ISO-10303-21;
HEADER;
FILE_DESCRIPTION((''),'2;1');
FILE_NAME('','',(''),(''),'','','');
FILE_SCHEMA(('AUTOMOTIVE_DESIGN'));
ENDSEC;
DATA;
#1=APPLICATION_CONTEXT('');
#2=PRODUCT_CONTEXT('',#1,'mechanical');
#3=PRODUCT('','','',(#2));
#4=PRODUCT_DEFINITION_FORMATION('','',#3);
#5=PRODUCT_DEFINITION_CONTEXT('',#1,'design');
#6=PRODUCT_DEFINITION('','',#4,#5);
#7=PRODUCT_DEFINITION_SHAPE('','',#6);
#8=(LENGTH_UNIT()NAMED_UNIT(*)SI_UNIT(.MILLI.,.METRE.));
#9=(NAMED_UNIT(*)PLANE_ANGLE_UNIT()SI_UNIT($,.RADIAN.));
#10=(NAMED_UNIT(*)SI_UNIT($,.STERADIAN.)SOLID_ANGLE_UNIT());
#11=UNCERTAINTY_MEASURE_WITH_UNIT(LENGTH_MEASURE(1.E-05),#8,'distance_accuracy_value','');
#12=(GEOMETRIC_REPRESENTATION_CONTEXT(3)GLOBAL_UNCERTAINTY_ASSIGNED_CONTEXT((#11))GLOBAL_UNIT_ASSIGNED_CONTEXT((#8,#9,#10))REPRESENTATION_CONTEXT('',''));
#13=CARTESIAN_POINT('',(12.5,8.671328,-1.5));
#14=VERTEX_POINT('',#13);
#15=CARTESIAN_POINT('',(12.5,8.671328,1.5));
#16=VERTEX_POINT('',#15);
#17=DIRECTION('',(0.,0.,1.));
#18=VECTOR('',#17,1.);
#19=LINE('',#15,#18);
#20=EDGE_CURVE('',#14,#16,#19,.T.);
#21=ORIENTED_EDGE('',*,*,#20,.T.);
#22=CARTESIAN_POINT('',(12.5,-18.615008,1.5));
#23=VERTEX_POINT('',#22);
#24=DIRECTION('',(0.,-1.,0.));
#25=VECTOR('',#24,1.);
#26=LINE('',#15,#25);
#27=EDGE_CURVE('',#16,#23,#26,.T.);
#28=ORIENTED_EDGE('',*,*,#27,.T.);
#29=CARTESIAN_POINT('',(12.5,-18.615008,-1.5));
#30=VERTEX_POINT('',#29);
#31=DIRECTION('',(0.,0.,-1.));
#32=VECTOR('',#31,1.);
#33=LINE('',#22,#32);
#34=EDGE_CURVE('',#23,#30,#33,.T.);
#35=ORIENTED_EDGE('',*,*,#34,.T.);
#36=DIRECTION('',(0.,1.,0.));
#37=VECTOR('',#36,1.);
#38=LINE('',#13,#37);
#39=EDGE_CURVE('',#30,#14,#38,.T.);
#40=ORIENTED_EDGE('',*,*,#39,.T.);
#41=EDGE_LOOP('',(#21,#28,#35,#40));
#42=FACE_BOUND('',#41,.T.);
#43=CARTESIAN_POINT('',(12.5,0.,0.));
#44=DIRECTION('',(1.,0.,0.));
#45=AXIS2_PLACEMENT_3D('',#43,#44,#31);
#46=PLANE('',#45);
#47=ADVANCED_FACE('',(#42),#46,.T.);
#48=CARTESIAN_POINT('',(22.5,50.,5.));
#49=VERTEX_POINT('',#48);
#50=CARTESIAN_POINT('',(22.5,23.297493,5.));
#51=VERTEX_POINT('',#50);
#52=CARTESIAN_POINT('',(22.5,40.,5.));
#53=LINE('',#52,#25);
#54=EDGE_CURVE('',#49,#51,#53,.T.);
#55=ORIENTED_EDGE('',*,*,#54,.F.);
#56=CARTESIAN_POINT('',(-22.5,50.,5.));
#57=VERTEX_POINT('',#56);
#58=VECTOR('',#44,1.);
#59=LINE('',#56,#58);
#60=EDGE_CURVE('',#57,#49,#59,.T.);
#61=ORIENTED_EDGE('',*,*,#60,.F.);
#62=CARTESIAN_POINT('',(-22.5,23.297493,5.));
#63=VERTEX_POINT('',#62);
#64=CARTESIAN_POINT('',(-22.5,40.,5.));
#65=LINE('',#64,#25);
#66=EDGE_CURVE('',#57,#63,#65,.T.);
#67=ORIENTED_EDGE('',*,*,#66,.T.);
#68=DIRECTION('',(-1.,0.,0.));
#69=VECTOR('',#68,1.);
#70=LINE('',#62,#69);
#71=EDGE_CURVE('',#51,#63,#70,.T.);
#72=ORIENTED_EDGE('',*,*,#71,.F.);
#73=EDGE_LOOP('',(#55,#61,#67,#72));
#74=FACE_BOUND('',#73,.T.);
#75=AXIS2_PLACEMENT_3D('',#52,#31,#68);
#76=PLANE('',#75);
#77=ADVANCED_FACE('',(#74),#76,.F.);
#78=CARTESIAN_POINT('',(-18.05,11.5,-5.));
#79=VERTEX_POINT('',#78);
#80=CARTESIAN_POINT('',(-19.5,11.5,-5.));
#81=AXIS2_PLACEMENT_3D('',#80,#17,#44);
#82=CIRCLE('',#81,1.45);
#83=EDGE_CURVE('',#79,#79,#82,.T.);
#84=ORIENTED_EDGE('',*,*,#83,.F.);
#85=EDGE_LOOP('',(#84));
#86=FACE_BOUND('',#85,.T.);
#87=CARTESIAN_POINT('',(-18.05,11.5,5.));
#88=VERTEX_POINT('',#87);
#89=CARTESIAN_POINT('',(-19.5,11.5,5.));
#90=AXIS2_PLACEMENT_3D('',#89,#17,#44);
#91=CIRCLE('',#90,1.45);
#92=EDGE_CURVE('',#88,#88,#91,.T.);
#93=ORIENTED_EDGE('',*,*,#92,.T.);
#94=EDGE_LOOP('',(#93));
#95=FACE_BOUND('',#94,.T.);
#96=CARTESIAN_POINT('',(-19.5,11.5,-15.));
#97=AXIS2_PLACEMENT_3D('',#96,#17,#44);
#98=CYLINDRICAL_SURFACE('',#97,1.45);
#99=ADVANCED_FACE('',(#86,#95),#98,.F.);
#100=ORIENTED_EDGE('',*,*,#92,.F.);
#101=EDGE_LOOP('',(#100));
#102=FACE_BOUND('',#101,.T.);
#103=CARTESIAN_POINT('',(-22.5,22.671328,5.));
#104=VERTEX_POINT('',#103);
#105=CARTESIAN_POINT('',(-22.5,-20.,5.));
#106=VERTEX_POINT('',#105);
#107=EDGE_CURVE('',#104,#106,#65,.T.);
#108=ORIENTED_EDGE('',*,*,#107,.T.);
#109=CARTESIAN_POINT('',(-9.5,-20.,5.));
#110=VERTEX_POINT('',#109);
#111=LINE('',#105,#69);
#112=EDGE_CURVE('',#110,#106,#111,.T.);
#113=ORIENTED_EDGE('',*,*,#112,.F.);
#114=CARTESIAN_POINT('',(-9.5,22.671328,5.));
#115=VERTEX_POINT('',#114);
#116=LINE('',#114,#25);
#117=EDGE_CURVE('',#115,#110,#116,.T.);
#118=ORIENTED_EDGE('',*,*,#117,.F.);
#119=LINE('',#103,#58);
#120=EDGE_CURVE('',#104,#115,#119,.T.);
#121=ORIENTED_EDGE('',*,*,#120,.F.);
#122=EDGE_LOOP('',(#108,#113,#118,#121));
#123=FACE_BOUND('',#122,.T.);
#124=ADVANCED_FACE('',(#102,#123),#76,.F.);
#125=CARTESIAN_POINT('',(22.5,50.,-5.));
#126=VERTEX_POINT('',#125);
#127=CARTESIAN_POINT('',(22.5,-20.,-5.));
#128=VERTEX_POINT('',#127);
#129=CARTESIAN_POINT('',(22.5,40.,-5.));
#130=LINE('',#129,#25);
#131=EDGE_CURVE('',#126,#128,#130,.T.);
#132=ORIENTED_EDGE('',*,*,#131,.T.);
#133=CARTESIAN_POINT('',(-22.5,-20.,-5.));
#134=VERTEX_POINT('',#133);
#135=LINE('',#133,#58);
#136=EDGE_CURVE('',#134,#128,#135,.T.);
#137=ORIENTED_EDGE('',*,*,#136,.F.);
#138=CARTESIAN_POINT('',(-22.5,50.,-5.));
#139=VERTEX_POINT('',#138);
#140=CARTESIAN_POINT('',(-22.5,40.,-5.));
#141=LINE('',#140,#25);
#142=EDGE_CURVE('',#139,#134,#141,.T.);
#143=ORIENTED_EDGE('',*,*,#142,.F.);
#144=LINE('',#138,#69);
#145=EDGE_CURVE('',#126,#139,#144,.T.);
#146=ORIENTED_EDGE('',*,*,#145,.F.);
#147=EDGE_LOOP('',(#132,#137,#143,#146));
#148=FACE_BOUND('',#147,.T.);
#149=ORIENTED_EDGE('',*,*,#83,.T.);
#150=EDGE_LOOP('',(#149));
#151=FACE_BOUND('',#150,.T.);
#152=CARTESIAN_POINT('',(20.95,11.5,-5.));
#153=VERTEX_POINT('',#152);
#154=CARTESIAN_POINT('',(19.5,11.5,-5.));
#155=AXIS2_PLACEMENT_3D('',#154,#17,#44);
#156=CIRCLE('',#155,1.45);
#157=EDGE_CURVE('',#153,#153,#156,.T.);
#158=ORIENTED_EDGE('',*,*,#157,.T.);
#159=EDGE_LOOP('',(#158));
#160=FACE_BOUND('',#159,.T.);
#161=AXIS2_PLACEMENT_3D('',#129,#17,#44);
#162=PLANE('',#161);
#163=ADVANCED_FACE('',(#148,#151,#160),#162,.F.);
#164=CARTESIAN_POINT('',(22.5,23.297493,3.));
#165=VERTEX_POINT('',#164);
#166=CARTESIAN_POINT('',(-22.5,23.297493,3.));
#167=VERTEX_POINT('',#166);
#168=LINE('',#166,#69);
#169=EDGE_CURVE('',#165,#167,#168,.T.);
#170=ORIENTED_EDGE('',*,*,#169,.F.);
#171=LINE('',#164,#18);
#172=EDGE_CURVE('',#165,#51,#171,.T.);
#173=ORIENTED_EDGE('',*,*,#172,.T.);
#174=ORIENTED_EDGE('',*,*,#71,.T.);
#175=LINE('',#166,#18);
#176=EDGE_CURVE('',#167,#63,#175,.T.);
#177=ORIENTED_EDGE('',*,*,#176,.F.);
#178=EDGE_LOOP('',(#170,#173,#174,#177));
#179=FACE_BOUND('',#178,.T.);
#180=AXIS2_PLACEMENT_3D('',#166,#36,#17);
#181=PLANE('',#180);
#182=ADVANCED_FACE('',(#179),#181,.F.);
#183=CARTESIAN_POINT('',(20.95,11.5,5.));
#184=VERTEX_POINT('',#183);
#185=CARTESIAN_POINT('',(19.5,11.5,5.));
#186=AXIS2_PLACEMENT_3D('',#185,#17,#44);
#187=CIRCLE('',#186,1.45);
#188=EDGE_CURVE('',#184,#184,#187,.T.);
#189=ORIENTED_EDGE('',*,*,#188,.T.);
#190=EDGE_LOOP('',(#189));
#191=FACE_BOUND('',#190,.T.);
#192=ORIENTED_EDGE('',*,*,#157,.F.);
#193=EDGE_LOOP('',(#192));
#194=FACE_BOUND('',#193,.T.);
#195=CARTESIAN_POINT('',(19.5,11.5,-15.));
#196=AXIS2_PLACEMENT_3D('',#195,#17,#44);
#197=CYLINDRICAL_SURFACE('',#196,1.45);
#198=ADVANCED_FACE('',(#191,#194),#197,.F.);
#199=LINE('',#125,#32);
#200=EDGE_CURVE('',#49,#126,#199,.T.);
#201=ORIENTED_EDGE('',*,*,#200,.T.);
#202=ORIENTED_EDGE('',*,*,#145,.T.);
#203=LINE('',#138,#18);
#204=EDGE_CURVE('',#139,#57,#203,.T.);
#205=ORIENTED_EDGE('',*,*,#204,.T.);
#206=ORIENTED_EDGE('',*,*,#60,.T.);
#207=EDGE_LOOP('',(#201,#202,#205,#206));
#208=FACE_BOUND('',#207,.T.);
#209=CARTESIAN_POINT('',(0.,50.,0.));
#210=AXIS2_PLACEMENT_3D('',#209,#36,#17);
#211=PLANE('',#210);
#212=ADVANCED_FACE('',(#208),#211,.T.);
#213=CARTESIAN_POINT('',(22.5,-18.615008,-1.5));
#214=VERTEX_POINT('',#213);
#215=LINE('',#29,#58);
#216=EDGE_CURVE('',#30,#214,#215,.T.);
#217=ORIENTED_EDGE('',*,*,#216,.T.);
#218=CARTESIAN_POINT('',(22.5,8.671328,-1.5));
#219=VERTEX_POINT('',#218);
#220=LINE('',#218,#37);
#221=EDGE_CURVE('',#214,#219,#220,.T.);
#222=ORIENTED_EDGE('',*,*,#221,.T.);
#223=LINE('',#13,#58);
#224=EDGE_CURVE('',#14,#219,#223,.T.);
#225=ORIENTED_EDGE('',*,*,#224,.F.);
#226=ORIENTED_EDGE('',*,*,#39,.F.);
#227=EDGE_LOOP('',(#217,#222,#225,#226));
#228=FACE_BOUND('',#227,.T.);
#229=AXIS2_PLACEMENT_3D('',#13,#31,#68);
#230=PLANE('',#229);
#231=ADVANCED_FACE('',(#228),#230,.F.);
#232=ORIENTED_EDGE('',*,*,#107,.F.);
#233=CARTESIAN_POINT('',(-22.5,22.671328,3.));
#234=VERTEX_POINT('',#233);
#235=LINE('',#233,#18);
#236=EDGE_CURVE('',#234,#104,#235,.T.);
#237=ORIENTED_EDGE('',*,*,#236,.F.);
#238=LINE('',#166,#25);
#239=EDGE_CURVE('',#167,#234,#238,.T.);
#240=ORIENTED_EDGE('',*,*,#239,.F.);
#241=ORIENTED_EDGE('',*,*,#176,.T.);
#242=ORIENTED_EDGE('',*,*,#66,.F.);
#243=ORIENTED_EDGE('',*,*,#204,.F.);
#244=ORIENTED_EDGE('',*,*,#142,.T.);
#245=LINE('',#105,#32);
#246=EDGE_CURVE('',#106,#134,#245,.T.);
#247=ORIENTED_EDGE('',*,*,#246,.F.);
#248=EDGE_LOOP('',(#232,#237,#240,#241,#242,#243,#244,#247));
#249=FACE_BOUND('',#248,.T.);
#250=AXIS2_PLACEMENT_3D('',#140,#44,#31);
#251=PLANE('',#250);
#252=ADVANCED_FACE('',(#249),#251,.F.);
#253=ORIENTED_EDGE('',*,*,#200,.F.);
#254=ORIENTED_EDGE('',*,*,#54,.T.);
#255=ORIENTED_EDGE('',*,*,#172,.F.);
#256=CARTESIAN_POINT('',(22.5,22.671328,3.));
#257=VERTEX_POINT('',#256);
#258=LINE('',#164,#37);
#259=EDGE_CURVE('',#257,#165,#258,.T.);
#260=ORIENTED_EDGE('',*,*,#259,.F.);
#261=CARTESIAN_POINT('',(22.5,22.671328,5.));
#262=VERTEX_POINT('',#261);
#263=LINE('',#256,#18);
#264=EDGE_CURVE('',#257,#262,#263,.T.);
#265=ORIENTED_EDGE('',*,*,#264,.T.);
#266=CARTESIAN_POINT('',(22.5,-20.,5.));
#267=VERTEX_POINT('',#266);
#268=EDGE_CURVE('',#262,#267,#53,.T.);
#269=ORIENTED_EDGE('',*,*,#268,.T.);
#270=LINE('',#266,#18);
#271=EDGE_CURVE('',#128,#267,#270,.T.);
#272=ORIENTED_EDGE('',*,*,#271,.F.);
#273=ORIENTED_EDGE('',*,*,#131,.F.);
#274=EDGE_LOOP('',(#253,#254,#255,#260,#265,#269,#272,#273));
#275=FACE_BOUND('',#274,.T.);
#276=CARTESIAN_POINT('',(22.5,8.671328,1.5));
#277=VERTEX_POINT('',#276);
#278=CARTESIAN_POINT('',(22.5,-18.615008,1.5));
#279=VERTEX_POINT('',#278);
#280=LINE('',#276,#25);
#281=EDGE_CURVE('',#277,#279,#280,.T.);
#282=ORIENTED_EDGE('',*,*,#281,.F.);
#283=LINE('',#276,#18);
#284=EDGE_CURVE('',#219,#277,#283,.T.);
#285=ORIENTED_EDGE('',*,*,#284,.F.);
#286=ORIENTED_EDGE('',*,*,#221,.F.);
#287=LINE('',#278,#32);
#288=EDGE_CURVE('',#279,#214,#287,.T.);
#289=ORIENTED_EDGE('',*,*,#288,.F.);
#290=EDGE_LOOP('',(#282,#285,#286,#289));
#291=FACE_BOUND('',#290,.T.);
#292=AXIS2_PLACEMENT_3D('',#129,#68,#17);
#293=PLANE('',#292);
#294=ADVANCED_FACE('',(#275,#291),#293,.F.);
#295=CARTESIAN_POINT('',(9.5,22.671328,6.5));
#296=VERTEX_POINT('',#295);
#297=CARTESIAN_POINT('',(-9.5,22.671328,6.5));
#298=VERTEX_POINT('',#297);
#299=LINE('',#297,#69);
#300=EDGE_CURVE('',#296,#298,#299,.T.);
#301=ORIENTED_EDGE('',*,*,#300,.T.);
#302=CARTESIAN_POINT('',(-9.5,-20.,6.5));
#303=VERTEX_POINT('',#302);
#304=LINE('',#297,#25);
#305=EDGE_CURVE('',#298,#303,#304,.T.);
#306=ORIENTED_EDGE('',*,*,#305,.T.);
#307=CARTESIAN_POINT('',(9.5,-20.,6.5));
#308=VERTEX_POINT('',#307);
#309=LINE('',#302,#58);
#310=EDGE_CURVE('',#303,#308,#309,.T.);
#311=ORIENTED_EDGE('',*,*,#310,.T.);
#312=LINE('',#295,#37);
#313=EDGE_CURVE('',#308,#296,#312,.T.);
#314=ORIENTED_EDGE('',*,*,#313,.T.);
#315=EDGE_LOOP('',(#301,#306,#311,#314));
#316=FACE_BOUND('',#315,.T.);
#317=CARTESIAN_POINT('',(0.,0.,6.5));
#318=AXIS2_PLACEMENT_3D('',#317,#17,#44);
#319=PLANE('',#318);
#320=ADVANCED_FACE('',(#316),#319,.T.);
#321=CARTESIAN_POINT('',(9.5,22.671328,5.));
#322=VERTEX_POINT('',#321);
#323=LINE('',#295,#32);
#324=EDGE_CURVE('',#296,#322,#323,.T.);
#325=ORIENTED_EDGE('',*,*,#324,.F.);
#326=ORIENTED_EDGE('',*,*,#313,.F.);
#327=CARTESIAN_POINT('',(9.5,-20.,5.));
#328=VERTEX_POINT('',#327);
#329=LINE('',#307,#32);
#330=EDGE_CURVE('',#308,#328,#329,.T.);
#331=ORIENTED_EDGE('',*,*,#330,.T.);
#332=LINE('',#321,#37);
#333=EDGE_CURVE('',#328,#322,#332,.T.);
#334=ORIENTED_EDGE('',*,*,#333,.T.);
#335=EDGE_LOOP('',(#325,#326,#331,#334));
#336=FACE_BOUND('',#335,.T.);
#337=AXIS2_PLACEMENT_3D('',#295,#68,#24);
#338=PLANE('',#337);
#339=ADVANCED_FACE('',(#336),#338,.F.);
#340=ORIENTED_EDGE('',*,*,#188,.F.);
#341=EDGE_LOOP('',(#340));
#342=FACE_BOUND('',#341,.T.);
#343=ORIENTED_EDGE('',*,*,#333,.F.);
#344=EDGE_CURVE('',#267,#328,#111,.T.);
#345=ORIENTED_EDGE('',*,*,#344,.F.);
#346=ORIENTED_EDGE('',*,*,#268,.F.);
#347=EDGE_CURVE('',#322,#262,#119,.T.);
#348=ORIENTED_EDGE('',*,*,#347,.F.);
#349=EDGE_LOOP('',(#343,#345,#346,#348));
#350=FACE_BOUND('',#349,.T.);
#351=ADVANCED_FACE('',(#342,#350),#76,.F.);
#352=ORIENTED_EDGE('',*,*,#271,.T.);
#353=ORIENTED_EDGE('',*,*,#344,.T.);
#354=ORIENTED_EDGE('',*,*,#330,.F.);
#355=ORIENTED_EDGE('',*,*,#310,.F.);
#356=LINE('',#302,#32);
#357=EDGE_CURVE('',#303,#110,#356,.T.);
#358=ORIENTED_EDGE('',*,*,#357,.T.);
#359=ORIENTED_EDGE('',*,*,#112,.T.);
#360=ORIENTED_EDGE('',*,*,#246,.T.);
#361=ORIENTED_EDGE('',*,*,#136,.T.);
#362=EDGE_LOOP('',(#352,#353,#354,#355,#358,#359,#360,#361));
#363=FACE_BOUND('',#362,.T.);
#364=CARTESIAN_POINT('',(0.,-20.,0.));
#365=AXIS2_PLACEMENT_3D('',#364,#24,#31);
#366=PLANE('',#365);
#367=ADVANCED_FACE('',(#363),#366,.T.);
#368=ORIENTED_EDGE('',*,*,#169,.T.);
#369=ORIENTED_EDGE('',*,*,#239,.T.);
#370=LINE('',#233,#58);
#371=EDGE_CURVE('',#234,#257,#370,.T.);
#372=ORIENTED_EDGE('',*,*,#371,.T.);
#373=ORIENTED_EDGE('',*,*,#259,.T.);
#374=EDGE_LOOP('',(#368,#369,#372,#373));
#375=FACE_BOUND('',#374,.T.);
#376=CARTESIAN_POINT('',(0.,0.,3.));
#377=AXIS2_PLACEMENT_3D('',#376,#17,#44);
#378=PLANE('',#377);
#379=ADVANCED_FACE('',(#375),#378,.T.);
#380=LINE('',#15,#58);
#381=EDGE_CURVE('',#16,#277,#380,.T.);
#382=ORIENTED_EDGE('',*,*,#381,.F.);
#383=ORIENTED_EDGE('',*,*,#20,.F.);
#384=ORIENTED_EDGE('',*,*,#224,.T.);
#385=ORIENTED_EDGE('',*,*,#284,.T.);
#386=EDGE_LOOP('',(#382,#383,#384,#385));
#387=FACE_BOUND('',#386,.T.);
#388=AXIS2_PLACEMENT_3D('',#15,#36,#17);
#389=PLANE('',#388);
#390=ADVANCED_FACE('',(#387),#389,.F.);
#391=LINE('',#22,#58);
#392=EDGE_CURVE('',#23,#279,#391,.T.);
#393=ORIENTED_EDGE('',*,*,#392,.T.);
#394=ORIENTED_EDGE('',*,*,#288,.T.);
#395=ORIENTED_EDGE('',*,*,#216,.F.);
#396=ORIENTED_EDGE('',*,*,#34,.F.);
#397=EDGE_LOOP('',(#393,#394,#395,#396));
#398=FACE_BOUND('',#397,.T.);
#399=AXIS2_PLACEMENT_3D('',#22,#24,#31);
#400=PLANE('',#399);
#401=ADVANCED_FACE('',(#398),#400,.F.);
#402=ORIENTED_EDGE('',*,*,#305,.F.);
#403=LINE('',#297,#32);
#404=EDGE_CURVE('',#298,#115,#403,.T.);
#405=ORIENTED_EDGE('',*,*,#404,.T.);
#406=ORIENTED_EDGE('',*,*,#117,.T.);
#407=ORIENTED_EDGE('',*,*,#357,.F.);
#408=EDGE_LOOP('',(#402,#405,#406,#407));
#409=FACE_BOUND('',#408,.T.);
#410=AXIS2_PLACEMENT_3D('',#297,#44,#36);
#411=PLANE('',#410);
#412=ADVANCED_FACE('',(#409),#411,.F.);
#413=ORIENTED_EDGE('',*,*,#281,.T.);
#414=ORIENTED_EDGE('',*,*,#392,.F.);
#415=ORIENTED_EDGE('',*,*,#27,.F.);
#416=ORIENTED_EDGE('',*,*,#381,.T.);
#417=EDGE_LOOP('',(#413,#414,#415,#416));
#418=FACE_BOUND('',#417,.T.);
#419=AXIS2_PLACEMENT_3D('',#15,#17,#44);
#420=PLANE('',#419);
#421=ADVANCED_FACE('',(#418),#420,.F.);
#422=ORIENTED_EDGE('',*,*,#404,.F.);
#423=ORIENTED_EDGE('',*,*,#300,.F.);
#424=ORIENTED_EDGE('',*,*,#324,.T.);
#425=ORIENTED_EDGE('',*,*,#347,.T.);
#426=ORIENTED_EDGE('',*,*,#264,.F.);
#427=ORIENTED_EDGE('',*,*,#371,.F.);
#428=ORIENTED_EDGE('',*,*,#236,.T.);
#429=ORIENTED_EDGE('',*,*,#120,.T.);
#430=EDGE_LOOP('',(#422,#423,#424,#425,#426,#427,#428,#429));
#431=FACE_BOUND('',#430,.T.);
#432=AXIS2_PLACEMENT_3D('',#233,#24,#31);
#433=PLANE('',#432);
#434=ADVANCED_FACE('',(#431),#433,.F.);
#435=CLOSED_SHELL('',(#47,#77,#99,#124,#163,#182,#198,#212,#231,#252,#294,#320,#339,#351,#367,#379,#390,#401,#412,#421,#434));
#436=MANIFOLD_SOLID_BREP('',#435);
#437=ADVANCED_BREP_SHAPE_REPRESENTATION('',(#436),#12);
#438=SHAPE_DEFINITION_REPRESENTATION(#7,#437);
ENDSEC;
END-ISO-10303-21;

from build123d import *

# Parameters (mm, degrees)
SKETCH2_W           = 45
SKETCH2_H           = 10
BOSS_EXTRUDE1_DEPTH = 40
SKETCH4_W           = 45
SKETCH4_H           = 10
BOSS_EXTRUDE2_DEPTH = 10
SKETCH8_W           = 45
SKETCH8_H           = 10
BOSS_EXTRUDE3_DEPTH = 20
SKETCH9_R           = 1.45
CUT_EXTRUDE2_DEPTH  = 20
SKETCH10_W          = 45
SKETCH10_H          = 0.626165357
CUT_EXTRUDE3_DEPTH  = 2
SKETCH11_W          = 19
SKETCH11_H          = 42.671327575
BOSS_EXTRUDE4_DEPTH = 1.5
SKETCH12_W          = 3
SKETCH12_H          = 27.286335608
CUT_EXTRUDE6_DEPTH  = 10


with BuildPart() as part:
    # Sketch2 → Boss-Extrude1 (new body)
    with BuildSketch(Plane(origin=(0, 0, 0), x_dir=(1, 0, 0), z_dir=(0, 1, 0))):
        Rectangle(SKETCH2_W, SKETCH2_H)
    extrude(amount=BOSS_EXTRUDE1_DEPTH)

    # Sketch4 → Boss-Extrude2 (add)
    with BuildSketch(Plane(origin=(0, 40, 0), x_dir=(1, 0, 0), z_dir=(0, 1, 0))):
        Rectangle(SKETCH4_W, SKETCH4_H)
    extrude(amount=BOSS_EXTRUDE2_DEPTH)

    # Sketch8 → Boss-Extrude3 (add)
    with BuildSketch(Plane.XZ):
        Rectangle(SKETCH8_W, SKETCH8_H)
    extrude(amount=BOSS_EXTRUDE3_DEPTH)

    # Sketch9 → Cut-Extrude2 (cut)
    with BuildSketch(Plane.XY.offset(5)):
        with Locations((19.5, 11.5)):
            Circle(SKETCH9_R)
        with Locations((-19.5, 11.5)):
            Circle(SKETCH9_R)
    extrude(amount=-CUT_EXTRUDE2_DEPTH, mode=Mode.SUBTRACT)

    # Sketch10 → Cut-Extrude3 (cut)
    with BuildSketch(Plane.XY.offset(5)):
        with Locations((0, 22.984410254)):
            Rectangle(SKETCH10_W, SKETCH10_H)
    extrude(amount=-CUT_EXTRUDE3_DEPTH, mode=Mode.SUBTRACT)

    # Sketch11 → Boss-Extrude4 (add)
    with BuildSketch(Plane.XY.offset(5)):
        with Locations((0, 1.335663788)):
            Rectangle(SKETCH11_W, SKETCH11_H)
    extrude(amount=BOSS_EXTRUDE4_DEPTH)

    # Sketch12 → Cut-Extrude6 (cut)
    with BuildSketch(Plane(origin=(22.5, 0, 0), x_dir=(0, 0, -1), z_dir=(1, 0, 0))):
        with Locations((0, -4.971840229)):
            Rectangle(SKETCH12_W, SKETCH12_H)
    extrude(amount=-CUT_EXTRUDE6_DEPTH, mode=Mode.SUBTRACT)


solid = part.part
